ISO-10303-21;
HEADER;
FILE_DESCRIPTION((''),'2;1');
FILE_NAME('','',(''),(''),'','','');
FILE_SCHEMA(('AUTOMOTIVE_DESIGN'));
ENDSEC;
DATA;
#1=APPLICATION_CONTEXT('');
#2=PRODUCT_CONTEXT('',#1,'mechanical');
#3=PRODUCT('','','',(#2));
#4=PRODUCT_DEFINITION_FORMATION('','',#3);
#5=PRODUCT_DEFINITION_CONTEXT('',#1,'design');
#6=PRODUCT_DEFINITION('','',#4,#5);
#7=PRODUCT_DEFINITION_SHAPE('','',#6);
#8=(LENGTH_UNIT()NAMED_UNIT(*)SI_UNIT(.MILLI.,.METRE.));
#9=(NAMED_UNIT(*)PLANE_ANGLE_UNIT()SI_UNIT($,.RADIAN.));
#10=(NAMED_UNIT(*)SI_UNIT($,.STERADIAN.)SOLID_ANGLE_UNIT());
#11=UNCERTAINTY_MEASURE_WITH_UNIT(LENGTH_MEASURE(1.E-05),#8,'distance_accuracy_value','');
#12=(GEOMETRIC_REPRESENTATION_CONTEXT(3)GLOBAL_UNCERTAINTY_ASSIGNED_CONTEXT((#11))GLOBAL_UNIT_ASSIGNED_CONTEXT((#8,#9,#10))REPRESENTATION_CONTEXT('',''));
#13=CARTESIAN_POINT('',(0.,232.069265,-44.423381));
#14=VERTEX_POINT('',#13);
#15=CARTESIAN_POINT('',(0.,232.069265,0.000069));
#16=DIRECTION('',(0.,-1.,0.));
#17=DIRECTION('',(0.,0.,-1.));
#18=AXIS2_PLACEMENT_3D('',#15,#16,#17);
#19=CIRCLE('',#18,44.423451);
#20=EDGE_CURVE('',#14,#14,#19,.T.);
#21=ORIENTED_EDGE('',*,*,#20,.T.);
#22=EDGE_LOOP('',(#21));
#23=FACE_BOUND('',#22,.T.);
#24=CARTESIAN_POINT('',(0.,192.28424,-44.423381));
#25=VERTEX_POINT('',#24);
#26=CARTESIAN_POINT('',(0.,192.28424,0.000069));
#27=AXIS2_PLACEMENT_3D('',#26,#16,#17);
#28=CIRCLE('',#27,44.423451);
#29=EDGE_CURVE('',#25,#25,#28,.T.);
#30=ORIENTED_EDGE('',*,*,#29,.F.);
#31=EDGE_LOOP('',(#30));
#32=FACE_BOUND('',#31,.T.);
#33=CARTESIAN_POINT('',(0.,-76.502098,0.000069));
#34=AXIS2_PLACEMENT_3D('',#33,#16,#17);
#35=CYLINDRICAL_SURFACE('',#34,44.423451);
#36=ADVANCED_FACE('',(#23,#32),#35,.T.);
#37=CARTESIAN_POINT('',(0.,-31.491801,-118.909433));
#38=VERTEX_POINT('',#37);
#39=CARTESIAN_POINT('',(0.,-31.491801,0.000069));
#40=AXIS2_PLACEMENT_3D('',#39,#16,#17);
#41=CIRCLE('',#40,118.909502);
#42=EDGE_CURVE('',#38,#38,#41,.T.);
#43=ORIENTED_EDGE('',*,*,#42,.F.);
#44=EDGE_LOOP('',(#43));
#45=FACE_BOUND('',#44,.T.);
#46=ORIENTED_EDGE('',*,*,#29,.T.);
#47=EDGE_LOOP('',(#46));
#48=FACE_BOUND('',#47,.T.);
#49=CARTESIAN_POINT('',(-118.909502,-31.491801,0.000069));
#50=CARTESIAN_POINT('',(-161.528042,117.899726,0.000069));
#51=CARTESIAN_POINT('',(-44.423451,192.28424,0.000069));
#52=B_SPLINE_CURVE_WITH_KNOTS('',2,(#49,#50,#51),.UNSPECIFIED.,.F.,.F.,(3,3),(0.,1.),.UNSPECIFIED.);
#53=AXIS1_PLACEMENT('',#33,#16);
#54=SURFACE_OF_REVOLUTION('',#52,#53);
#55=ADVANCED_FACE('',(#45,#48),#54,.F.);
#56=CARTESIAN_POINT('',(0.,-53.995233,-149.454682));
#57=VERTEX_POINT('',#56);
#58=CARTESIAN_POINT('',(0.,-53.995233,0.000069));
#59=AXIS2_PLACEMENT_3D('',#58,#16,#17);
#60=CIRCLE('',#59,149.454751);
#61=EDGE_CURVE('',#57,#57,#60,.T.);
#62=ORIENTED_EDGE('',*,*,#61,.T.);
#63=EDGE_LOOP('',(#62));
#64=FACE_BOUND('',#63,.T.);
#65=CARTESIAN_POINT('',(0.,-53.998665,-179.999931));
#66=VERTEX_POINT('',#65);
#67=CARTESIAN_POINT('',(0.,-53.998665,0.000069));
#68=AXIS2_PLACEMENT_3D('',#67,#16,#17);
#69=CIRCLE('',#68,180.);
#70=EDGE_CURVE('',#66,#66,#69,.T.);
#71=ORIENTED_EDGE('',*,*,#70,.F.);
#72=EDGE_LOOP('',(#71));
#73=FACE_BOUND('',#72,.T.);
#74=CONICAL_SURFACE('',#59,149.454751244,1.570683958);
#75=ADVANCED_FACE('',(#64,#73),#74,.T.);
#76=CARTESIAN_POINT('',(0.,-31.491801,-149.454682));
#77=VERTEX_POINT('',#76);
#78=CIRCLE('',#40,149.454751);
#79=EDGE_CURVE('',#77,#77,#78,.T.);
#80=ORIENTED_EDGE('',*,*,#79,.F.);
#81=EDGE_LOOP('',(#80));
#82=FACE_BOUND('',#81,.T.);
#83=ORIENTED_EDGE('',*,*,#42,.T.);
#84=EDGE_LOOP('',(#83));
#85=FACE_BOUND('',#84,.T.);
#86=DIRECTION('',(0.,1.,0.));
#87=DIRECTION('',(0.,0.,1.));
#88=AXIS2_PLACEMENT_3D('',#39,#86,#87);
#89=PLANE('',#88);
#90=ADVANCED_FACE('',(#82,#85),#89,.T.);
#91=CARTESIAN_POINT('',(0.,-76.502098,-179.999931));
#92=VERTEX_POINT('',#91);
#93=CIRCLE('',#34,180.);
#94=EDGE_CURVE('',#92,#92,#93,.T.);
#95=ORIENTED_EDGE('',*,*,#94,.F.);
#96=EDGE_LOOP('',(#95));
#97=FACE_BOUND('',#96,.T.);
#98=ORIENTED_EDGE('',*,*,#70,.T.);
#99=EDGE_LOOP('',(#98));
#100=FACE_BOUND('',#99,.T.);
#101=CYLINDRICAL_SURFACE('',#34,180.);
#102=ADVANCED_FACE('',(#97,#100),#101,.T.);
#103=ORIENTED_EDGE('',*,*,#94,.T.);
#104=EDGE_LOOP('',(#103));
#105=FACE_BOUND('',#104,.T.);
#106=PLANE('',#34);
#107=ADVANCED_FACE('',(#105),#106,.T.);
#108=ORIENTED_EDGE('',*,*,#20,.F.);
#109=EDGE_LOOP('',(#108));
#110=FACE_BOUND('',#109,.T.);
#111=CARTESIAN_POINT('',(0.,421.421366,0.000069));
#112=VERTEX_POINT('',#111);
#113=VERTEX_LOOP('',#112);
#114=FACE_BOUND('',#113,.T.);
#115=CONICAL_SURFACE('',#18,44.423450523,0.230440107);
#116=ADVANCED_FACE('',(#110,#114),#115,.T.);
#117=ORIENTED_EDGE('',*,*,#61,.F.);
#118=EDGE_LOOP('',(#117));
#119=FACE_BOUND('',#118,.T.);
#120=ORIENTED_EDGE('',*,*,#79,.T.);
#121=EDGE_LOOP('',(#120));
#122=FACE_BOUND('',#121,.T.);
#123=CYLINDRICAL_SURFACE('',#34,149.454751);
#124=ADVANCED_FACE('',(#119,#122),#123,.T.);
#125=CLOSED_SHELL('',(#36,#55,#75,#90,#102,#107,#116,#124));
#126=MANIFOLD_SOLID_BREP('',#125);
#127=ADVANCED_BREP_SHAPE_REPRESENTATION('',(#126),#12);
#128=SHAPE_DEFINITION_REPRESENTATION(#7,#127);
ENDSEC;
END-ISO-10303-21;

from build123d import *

# Parameters (mm, degrees)
SCALE1_SCALE = 3


with BuildPart() as part:
    # Sketch1 → Revolve1 (revolve)
    with BuildSketch(Plane.XY, mode=Mode.PRIVATE) as revolve1_sk:
        with BuildLine():
            Line((-60, 0), (0, 0))
            Line((0, 0), (0, 165.974487707))
            Line((0, 165.974487707), (-14.807816841, 102.857120804))
            Line((-14.807816841, 102.857120804), (-14.807816841, 89.595445726))
            add(Edge.make_bspline(
                [(-39.636500765, 15.003432323), (-53.842680806, 64.800607808), (-14.807816841, 89.595445726)],
                knots=[0, 0, 0, 1, 1, 1], degree=2))
            Line((-39.636500765, 15.003432323), (-49.818250415, 15.003432323))
            Line((-49.818250415, 15.003432323), (-49.818250415, 7.502288215))
            Line((-49.818250415, 7.502288215), (-60, 7.501144108))
            Line((-60, 7.501144108), (-60, 0))
        make_face()
    revolve(revolve1_sk.sketch.rotate(Axis((0, 0, 0), (0, 1, 0)), 270), axis=Axis((0, 0, 0), (0, 1, 0)))


with BuildPart() as part_1:
    # Scale1: scaled about (0, 38.251472445, 0)
    add(part.part.scale(SCALE1_SCALE).moved(Location((0, -76.50294489, 0))))


solid = part_1.part
